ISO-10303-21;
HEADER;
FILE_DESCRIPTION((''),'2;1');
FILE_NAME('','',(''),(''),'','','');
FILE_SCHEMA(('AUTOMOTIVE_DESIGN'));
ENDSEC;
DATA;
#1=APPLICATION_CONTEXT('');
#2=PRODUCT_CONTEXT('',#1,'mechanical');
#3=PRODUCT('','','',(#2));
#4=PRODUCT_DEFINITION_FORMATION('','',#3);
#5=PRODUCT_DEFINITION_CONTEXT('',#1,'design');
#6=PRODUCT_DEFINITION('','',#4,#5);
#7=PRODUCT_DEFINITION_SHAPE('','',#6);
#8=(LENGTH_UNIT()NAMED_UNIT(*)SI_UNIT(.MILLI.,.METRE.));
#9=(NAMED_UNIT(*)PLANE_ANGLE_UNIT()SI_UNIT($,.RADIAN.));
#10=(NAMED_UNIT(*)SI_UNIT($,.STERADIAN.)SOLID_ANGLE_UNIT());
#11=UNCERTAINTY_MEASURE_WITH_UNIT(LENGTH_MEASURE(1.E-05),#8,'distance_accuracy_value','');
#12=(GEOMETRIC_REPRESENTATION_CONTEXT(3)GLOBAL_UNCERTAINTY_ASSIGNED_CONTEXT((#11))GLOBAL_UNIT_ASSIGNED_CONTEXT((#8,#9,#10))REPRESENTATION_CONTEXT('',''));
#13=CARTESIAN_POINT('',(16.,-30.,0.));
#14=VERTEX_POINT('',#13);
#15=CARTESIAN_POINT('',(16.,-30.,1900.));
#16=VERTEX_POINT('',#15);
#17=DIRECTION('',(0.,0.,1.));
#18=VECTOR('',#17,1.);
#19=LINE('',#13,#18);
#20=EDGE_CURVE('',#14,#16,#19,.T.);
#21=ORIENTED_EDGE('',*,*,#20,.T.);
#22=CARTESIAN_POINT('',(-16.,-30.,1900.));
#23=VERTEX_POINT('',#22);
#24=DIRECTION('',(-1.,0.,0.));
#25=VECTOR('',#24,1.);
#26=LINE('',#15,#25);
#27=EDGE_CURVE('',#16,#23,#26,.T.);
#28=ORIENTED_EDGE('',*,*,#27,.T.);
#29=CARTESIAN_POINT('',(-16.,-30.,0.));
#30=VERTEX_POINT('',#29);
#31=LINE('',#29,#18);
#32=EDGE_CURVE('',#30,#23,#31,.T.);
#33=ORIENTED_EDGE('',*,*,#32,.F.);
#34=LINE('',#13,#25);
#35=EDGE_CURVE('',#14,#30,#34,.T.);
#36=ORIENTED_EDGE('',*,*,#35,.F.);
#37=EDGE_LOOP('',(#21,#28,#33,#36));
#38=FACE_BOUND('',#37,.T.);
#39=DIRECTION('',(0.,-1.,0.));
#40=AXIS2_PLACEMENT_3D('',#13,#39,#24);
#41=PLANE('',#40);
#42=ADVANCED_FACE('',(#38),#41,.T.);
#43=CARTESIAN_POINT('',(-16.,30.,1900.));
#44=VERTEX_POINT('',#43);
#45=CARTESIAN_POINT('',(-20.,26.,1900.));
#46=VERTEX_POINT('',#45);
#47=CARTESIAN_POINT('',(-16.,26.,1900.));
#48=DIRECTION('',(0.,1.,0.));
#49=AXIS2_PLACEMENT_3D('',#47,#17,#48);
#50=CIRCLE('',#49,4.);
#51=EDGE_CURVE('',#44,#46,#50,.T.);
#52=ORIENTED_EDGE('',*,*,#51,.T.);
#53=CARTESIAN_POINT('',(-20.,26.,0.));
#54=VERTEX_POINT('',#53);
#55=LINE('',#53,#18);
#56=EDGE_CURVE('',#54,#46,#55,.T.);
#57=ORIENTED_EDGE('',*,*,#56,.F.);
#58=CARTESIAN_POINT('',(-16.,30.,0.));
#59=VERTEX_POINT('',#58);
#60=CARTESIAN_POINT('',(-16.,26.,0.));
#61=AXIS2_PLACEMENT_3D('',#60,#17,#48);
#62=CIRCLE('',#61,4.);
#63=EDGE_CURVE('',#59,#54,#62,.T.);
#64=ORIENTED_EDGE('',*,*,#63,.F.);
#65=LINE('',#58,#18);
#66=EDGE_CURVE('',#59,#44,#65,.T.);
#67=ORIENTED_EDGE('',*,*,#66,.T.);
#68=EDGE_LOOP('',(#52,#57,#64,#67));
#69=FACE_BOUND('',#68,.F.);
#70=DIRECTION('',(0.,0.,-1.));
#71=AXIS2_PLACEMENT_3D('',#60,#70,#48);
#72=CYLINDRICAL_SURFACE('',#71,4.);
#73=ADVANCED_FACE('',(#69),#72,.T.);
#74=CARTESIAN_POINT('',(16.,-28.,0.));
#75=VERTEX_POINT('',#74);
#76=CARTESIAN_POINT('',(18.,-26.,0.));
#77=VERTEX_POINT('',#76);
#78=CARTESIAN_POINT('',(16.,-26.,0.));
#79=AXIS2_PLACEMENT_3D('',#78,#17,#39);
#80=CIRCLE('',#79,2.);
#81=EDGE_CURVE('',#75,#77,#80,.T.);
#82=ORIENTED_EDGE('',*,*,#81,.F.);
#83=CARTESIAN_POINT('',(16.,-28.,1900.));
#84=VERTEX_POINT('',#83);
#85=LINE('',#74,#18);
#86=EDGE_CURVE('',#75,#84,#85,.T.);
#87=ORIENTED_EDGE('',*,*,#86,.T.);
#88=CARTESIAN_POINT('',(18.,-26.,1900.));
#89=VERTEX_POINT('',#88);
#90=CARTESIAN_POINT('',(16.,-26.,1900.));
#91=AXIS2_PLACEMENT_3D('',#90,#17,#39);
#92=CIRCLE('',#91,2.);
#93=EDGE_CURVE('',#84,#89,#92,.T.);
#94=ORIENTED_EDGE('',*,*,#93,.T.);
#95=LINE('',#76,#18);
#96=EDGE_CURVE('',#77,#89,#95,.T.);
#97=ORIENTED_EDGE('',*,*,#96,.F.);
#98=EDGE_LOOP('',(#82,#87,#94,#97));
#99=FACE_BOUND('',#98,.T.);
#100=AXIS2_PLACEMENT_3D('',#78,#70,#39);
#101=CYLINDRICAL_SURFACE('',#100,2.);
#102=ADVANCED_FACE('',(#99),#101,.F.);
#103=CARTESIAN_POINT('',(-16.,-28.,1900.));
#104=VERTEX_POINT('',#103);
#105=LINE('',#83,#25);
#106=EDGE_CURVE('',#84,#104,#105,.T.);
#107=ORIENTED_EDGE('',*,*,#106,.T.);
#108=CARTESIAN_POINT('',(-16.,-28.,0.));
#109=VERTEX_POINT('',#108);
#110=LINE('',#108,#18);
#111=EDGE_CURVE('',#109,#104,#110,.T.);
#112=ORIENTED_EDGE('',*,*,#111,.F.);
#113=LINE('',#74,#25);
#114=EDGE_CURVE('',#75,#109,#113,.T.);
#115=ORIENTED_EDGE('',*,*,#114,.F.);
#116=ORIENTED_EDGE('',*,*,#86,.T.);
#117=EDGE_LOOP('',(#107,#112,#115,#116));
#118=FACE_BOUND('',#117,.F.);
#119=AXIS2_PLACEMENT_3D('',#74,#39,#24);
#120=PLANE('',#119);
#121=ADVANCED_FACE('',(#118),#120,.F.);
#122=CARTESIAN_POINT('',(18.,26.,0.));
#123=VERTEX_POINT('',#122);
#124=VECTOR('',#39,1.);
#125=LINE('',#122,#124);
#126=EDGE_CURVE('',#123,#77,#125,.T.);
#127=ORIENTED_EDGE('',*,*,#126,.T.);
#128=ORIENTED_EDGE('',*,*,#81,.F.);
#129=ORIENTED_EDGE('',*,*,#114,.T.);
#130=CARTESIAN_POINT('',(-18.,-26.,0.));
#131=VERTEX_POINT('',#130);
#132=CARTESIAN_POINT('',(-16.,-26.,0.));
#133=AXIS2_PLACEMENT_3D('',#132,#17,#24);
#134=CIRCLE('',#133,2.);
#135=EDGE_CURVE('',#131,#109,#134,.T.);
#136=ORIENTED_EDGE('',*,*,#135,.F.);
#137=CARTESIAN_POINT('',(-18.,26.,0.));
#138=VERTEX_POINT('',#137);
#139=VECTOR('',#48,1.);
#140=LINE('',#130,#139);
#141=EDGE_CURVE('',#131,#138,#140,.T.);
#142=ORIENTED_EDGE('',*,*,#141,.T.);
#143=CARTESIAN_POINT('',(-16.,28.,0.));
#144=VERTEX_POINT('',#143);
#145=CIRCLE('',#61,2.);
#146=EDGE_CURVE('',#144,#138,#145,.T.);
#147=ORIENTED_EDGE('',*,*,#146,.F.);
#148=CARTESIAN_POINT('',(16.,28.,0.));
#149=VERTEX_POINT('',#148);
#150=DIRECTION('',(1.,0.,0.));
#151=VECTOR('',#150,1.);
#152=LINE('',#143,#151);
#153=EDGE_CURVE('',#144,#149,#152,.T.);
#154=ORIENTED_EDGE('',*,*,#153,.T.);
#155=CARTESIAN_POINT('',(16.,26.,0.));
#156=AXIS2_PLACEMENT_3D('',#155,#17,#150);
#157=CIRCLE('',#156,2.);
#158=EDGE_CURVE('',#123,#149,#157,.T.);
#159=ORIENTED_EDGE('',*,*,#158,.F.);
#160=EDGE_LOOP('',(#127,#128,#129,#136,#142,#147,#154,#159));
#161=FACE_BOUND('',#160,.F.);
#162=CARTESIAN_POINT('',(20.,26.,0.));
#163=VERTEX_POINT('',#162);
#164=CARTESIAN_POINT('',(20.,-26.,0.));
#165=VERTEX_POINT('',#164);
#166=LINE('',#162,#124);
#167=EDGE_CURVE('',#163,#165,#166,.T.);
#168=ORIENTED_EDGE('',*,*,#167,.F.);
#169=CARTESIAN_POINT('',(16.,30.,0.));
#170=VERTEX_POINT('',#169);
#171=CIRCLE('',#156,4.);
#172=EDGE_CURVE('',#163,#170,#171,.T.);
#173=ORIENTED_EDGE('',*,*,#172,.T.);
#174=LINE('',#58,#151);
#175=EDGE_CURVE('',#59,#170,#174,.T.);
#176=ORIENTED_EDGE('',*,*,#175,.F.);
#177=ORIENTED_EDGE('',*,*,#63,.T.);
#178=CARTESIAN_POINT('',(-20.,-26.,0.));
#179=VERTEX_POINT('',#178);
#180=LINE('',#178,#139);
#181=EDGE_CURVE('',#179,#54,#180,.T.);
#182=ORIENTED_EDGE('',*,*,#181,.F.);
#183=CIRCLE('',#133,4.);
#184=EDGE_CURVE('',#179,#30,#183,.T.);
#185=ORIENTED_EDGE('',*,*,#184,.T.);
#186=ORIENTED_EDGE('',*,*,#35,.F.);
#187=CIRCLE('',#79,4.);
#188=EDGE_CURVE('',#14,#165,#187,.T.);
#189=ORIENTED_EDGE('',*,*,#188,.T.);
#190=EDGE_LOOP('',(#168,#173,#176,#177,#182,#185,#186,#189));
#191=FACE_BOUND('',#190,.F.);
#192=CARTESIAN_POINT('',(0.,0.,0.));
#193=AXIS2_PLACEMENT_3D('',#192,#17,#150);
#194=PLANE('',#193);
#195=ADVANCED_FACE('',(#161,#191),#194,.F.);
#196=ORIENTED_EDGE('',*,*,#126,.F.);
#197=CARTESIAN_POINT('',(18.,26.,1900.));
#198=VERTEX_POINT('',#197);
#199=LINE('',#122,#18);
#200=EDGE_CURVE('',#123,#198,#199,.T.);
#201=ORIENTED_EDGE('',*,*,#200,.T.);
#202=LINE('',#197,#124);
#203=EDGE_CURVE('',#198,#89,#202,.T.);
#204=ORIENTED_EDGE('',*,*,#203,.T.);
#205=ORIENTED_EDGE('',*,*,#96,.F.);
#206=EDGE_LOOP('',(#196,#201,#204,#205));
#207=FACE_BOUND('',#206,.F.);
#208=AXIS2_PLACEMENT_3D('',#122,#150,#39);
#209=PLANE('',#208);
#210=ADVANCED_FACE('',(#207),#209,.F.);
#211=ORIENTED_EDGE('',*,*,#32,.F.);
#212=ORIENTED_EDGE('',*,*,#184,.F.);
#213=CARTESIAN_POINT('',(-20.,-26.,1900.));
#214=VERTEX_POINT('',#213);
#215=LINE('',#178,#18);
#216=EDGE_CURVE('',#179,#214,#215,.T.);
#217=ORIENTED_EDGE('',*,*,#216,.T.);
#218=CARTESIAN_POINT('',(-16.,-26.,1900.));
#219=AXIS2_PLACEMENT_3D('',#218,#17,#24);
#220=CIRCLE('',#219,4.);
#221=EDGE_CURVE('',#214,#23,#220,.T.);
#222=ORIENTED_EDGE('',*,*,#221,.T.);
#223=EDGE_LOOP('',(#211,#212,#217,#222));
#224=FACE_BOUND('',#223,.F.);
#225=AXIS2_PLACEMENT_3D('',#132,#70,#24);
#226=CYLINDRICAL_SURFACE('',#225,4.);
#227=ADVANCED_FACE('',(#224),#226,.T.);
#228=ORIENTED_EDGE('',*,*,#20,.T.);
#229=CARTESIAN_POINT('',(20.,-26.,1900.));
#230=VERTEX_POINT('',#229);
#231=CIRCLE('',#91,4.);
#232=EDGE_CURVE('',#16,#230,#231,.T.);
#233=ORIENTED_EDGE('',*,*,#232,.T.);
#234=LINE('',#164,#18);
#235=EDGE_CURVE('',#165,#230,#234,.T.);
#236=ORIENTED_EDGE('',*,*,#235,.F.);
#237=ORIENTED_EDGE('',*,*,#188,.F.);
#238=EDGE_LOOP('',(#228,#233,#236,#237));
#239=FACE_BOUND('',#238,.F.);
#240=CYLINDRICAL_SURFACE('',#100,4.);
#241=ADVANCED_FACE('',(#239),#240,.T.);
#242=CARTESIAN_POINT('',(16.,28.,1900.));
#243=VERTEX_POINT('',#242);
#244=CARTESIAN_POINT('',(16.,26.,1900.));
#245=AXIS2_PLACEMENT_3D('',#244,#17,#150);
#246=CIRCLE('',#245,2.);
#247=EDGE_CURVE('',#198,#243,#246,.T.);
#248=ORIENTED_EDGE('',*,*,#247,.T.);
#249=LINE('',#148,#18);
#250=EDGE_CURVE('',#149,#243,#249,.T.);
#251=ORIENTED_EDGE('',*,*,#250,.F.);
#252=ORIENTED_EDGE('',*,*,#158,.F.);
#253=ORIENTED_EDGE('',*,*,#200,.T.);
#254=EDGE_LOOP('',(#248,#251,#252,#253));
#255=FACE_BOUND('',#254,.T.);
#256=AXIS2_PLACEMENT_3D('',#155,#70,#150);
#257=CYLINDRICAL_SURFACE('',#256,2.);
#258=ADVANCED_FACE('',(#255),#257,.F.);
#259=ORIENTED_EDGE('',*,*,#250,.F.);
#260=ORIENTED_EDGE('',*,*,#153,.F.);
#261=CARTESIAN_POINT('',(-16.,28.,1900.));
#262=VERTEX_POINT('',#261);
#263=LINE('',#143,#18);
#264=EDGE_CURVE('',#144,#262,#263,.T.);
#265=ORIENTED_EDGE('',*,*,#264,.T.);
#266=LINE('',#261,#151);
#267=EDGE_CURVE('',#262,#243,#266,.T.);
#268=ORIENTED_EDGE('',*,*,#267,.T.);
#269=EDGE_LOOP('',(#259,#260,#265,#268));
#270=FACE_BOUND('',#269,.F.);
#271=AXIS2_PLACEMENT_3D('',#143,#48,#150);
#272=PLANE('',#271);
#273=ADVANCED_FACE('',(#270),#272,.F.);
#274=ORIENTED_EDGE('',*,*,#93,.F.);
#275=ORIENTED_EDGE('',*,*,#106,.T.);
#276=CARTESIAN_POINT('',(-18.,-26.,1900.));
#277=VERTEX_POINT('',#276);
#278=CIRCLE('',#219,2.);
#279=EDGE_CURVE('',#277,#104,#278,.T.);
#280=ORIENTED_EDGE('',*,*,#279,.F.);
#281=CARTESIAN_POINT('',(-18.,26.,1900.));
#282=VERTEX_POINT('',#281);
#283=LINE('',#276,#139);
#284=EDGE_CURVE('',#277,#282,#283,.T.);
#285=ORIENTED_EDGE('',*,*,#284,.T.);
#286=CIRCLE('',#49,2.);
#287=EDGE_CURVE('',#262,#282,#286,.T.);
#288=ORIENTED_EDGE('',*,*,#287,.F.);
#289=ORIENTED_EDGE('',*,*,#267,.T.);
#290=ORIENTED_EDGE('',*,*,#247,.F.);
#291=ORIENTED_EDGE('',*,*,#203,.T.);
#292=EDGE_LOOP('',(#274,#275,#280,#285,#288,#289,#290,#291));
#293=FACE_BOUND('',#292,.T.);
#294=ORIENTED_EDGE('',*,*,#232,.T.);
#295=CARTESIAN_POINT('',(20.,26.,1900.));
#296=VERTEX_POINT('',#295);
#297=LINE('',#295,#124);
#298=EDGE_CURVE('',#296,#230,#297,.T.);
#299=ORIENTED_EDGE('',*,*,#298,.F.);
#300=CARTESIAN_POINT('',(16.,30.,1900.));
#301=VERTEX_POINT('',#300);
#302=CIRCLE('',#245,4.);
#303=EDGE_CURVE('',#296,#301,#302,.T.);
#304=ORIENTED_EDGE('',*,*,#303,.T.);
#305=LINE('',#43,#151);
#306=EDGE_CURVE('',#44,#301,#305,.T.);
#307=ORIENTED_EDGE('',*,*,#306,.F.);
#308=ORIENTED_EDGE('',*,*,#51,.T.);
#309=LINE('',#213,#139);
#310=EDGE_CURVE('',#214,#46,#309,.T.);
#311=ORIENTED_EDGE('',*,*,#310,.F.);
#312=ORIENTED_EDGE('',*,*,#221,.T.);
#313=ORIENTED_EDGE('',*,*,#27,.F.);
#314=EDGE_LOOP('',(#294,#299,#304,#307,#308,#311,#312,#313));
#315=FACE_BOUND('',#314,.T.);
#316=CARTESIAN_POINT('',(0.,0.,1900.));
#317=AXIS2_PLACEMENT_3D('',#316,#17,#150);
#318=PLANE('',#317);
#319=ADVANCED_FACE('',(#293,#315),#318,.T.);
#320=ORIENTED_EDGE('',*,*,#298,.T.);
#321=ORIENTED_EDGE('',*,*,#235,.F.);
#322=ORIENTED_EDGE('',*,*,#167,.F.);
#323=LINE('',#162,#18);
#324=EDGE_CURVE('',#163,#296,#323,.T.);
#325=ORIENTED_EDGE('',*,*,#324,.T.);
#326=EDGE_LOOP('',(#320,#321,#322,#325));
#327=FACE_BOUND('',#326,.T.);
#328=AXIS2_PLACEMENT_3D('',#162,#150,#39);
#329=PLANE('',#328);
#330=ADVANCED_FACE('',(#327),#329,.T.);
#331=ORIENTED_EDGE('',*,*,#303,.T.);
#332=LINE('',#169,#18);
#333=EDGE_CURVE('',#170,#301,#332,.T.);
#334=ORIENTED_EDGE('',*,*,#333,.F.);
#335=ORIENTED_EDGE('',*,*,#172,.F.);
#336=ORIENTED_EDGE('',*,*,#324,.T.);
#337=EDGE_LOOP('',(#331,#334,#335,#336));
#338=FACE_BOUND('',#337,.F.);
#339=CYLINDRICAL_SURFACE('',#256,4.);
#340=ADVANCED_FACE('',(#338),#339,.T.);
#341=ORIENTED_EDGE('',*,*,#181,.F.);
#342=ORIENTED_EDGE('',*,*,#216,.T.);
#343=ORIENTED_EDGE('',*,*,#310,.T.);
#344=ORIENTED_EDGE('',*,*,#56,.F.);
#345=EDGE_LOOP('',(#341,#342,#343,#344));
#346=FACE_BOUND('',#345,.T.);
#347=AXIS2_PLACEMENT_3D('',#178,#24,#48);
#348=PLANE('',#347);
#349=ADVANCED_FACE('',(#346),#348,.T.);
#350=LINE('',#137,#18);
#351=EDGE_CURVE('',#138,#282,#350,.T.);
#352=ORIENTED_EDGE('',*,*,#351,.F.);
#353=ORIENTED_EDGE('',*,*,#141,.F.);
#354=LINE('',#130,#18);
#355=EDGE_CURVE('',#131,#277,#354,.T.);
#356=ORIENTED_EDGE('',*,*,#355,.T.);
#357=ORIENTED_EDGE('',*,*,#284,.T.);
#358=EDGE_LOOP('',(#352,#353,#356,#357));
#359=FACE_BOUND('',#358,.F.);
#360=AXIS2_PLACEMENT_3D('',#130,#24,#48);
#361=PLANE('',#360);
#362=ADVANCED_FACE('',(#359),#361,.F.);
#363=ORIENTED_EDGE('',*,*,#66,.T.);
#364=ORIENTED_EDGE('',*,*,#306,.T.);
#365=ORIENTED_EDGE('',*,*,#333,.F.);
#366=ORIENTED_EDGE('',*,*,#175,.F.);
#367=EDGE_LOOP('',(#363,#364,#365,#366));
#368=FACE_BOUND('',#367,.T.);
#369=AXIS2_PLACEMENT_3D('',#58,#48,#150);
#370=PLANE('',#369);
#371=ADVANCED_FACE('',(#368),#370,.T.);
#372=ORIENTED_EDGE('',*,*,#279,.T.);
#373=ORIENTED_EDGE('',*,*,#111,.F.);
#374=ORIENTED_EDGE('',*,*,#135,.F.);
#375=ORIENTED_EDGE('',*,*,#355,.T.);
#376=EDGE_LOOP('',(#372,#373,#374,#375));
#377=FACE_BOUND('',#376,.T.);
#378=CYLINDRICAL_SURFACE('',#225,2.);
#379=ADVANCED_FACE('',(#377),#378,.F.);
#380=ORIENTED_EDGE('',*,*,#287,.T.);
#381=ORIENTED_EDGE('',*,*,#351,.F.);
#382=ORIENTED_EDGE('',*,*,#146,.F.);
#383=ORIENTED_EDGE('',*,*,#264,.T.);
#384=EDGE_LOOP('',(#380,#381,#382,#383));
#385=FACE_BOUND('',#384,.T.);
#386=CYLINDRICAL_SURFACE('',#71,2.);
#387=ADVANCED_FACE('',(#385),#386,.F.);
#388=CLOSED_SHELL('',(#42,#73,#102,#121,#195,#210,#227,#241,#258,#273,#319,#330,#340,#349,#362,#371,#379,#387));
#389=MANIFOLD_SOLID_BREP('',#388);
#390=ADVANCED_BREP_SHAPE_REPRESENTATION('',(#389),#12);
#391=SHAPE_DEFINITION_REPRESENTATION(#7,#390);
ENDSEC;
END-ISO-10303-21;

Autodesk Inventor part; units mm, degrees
ref_plane "YZ Plane" through (0, 0, 0) normal (1, 0, 0) x (0, 1, 0)
ref_plane "Start Plane" through (0, 0, 0) normal (0, 0, 1) x (1, 0, 0)
ref_plane "End Plane" through (0, 0, 1900) normal (0, 0, 1) x (1, 0, 0)
sketch "Sketch" plane through (0, 0, 0) normal (0, 0, 1) x (1, 0, 0)
  line L0 (-20, -26) -> (-20, 26)
  line L1 (-16, 30) -> (16, 30)
  line L2 (20, 26) -> (20, -26)
  line L3 (16, -30) -> (-16, -30)
  arc A0 (-20, -26) -> (-16, -30) centre (-16, -26) ccw
  arc A1 (20, 26) -> (16, 30) centre (16, 26) ccw
  arc A2 (-16, 30) -> (-20, 26) centre (-16, 26) ccw
  arc A3 (16, -30) -> (20, -26) centre (16, -26) ccw
  arc A4 (-16, 28) -> (-18, 26) centre (-16, 26) ccw
  line L4 (-16, 28) -> (16, 28)
  arc A5 (18, 26) -> (16, 28) centre (16, 26) ccw
  line L5 (18, 26) -> (18, -26)
  arc A6 (16, -28) -> (18, -26) centre (16, -26) ccw
  line L6 (16, -28) -> (-16, -28)
  arc A7 (-18, -26) -> (-16, -28) centre (-16, -26) ccw
  line L7 (-18, -26) -> (-18, 26)
  line L8 (0, 43.1598) -> (0, -43.1598) construction
  line L9 (-29.1598, 0) -> (29.1598, 0) construction
  dimension "d7" = 4
  dimension "d9" = 40
  dimension "d11" = 60
  dimension "d12" = 2
  dimension "d15" = 20
  dimension "d16" = 30
extrude "Body" add sketch "Sketch" along normal up to surface (1900 mm away) from surface at 0
sketch "Sketch3" plane through (0, 0, 0) normal (0, 0, 1) x (1, 0, 0)
  line L0 (0, 0) -> (10, 0)
ref_plane "Work Plane3" through (0, 0, 0) normal (0, -1, 0) x (1, 0, 0)
sketch "Sketch4" plane through (0, 0, 0) normal (0, -1, 0) x (1, 0, 0)
  line L0 (-2, 0) -> (12, 0) projected
  line L1 (-2, 1900) -> (12, 1900) projected
  dimension "d18" = 1900
equation "\"d7\" = G_IR"
equation "\"d9\" = G_W"
equation "\"d11\" = G_H"
equation "\"d12\" = G_T"
equation "\"d15\" = 0.5 * d9"
equation "\"d16\" = 0.5 * d11"
equation "\"d3\" = G_L"
equation "\"G_W\" = 40"
equation "\"G_H\" = 60"
equation "\"G_T\" = 2"
equation "\"G_IR\" = 4"
equation "\"G_L\" = d18"
equation "\"G_OFFSET_START\" = 0"
equation "\"G_OFFSET_END\" = 0"
properties part number "ISO 10799-2 - 60x40x2 - 1900" material "Steel, Mild"
